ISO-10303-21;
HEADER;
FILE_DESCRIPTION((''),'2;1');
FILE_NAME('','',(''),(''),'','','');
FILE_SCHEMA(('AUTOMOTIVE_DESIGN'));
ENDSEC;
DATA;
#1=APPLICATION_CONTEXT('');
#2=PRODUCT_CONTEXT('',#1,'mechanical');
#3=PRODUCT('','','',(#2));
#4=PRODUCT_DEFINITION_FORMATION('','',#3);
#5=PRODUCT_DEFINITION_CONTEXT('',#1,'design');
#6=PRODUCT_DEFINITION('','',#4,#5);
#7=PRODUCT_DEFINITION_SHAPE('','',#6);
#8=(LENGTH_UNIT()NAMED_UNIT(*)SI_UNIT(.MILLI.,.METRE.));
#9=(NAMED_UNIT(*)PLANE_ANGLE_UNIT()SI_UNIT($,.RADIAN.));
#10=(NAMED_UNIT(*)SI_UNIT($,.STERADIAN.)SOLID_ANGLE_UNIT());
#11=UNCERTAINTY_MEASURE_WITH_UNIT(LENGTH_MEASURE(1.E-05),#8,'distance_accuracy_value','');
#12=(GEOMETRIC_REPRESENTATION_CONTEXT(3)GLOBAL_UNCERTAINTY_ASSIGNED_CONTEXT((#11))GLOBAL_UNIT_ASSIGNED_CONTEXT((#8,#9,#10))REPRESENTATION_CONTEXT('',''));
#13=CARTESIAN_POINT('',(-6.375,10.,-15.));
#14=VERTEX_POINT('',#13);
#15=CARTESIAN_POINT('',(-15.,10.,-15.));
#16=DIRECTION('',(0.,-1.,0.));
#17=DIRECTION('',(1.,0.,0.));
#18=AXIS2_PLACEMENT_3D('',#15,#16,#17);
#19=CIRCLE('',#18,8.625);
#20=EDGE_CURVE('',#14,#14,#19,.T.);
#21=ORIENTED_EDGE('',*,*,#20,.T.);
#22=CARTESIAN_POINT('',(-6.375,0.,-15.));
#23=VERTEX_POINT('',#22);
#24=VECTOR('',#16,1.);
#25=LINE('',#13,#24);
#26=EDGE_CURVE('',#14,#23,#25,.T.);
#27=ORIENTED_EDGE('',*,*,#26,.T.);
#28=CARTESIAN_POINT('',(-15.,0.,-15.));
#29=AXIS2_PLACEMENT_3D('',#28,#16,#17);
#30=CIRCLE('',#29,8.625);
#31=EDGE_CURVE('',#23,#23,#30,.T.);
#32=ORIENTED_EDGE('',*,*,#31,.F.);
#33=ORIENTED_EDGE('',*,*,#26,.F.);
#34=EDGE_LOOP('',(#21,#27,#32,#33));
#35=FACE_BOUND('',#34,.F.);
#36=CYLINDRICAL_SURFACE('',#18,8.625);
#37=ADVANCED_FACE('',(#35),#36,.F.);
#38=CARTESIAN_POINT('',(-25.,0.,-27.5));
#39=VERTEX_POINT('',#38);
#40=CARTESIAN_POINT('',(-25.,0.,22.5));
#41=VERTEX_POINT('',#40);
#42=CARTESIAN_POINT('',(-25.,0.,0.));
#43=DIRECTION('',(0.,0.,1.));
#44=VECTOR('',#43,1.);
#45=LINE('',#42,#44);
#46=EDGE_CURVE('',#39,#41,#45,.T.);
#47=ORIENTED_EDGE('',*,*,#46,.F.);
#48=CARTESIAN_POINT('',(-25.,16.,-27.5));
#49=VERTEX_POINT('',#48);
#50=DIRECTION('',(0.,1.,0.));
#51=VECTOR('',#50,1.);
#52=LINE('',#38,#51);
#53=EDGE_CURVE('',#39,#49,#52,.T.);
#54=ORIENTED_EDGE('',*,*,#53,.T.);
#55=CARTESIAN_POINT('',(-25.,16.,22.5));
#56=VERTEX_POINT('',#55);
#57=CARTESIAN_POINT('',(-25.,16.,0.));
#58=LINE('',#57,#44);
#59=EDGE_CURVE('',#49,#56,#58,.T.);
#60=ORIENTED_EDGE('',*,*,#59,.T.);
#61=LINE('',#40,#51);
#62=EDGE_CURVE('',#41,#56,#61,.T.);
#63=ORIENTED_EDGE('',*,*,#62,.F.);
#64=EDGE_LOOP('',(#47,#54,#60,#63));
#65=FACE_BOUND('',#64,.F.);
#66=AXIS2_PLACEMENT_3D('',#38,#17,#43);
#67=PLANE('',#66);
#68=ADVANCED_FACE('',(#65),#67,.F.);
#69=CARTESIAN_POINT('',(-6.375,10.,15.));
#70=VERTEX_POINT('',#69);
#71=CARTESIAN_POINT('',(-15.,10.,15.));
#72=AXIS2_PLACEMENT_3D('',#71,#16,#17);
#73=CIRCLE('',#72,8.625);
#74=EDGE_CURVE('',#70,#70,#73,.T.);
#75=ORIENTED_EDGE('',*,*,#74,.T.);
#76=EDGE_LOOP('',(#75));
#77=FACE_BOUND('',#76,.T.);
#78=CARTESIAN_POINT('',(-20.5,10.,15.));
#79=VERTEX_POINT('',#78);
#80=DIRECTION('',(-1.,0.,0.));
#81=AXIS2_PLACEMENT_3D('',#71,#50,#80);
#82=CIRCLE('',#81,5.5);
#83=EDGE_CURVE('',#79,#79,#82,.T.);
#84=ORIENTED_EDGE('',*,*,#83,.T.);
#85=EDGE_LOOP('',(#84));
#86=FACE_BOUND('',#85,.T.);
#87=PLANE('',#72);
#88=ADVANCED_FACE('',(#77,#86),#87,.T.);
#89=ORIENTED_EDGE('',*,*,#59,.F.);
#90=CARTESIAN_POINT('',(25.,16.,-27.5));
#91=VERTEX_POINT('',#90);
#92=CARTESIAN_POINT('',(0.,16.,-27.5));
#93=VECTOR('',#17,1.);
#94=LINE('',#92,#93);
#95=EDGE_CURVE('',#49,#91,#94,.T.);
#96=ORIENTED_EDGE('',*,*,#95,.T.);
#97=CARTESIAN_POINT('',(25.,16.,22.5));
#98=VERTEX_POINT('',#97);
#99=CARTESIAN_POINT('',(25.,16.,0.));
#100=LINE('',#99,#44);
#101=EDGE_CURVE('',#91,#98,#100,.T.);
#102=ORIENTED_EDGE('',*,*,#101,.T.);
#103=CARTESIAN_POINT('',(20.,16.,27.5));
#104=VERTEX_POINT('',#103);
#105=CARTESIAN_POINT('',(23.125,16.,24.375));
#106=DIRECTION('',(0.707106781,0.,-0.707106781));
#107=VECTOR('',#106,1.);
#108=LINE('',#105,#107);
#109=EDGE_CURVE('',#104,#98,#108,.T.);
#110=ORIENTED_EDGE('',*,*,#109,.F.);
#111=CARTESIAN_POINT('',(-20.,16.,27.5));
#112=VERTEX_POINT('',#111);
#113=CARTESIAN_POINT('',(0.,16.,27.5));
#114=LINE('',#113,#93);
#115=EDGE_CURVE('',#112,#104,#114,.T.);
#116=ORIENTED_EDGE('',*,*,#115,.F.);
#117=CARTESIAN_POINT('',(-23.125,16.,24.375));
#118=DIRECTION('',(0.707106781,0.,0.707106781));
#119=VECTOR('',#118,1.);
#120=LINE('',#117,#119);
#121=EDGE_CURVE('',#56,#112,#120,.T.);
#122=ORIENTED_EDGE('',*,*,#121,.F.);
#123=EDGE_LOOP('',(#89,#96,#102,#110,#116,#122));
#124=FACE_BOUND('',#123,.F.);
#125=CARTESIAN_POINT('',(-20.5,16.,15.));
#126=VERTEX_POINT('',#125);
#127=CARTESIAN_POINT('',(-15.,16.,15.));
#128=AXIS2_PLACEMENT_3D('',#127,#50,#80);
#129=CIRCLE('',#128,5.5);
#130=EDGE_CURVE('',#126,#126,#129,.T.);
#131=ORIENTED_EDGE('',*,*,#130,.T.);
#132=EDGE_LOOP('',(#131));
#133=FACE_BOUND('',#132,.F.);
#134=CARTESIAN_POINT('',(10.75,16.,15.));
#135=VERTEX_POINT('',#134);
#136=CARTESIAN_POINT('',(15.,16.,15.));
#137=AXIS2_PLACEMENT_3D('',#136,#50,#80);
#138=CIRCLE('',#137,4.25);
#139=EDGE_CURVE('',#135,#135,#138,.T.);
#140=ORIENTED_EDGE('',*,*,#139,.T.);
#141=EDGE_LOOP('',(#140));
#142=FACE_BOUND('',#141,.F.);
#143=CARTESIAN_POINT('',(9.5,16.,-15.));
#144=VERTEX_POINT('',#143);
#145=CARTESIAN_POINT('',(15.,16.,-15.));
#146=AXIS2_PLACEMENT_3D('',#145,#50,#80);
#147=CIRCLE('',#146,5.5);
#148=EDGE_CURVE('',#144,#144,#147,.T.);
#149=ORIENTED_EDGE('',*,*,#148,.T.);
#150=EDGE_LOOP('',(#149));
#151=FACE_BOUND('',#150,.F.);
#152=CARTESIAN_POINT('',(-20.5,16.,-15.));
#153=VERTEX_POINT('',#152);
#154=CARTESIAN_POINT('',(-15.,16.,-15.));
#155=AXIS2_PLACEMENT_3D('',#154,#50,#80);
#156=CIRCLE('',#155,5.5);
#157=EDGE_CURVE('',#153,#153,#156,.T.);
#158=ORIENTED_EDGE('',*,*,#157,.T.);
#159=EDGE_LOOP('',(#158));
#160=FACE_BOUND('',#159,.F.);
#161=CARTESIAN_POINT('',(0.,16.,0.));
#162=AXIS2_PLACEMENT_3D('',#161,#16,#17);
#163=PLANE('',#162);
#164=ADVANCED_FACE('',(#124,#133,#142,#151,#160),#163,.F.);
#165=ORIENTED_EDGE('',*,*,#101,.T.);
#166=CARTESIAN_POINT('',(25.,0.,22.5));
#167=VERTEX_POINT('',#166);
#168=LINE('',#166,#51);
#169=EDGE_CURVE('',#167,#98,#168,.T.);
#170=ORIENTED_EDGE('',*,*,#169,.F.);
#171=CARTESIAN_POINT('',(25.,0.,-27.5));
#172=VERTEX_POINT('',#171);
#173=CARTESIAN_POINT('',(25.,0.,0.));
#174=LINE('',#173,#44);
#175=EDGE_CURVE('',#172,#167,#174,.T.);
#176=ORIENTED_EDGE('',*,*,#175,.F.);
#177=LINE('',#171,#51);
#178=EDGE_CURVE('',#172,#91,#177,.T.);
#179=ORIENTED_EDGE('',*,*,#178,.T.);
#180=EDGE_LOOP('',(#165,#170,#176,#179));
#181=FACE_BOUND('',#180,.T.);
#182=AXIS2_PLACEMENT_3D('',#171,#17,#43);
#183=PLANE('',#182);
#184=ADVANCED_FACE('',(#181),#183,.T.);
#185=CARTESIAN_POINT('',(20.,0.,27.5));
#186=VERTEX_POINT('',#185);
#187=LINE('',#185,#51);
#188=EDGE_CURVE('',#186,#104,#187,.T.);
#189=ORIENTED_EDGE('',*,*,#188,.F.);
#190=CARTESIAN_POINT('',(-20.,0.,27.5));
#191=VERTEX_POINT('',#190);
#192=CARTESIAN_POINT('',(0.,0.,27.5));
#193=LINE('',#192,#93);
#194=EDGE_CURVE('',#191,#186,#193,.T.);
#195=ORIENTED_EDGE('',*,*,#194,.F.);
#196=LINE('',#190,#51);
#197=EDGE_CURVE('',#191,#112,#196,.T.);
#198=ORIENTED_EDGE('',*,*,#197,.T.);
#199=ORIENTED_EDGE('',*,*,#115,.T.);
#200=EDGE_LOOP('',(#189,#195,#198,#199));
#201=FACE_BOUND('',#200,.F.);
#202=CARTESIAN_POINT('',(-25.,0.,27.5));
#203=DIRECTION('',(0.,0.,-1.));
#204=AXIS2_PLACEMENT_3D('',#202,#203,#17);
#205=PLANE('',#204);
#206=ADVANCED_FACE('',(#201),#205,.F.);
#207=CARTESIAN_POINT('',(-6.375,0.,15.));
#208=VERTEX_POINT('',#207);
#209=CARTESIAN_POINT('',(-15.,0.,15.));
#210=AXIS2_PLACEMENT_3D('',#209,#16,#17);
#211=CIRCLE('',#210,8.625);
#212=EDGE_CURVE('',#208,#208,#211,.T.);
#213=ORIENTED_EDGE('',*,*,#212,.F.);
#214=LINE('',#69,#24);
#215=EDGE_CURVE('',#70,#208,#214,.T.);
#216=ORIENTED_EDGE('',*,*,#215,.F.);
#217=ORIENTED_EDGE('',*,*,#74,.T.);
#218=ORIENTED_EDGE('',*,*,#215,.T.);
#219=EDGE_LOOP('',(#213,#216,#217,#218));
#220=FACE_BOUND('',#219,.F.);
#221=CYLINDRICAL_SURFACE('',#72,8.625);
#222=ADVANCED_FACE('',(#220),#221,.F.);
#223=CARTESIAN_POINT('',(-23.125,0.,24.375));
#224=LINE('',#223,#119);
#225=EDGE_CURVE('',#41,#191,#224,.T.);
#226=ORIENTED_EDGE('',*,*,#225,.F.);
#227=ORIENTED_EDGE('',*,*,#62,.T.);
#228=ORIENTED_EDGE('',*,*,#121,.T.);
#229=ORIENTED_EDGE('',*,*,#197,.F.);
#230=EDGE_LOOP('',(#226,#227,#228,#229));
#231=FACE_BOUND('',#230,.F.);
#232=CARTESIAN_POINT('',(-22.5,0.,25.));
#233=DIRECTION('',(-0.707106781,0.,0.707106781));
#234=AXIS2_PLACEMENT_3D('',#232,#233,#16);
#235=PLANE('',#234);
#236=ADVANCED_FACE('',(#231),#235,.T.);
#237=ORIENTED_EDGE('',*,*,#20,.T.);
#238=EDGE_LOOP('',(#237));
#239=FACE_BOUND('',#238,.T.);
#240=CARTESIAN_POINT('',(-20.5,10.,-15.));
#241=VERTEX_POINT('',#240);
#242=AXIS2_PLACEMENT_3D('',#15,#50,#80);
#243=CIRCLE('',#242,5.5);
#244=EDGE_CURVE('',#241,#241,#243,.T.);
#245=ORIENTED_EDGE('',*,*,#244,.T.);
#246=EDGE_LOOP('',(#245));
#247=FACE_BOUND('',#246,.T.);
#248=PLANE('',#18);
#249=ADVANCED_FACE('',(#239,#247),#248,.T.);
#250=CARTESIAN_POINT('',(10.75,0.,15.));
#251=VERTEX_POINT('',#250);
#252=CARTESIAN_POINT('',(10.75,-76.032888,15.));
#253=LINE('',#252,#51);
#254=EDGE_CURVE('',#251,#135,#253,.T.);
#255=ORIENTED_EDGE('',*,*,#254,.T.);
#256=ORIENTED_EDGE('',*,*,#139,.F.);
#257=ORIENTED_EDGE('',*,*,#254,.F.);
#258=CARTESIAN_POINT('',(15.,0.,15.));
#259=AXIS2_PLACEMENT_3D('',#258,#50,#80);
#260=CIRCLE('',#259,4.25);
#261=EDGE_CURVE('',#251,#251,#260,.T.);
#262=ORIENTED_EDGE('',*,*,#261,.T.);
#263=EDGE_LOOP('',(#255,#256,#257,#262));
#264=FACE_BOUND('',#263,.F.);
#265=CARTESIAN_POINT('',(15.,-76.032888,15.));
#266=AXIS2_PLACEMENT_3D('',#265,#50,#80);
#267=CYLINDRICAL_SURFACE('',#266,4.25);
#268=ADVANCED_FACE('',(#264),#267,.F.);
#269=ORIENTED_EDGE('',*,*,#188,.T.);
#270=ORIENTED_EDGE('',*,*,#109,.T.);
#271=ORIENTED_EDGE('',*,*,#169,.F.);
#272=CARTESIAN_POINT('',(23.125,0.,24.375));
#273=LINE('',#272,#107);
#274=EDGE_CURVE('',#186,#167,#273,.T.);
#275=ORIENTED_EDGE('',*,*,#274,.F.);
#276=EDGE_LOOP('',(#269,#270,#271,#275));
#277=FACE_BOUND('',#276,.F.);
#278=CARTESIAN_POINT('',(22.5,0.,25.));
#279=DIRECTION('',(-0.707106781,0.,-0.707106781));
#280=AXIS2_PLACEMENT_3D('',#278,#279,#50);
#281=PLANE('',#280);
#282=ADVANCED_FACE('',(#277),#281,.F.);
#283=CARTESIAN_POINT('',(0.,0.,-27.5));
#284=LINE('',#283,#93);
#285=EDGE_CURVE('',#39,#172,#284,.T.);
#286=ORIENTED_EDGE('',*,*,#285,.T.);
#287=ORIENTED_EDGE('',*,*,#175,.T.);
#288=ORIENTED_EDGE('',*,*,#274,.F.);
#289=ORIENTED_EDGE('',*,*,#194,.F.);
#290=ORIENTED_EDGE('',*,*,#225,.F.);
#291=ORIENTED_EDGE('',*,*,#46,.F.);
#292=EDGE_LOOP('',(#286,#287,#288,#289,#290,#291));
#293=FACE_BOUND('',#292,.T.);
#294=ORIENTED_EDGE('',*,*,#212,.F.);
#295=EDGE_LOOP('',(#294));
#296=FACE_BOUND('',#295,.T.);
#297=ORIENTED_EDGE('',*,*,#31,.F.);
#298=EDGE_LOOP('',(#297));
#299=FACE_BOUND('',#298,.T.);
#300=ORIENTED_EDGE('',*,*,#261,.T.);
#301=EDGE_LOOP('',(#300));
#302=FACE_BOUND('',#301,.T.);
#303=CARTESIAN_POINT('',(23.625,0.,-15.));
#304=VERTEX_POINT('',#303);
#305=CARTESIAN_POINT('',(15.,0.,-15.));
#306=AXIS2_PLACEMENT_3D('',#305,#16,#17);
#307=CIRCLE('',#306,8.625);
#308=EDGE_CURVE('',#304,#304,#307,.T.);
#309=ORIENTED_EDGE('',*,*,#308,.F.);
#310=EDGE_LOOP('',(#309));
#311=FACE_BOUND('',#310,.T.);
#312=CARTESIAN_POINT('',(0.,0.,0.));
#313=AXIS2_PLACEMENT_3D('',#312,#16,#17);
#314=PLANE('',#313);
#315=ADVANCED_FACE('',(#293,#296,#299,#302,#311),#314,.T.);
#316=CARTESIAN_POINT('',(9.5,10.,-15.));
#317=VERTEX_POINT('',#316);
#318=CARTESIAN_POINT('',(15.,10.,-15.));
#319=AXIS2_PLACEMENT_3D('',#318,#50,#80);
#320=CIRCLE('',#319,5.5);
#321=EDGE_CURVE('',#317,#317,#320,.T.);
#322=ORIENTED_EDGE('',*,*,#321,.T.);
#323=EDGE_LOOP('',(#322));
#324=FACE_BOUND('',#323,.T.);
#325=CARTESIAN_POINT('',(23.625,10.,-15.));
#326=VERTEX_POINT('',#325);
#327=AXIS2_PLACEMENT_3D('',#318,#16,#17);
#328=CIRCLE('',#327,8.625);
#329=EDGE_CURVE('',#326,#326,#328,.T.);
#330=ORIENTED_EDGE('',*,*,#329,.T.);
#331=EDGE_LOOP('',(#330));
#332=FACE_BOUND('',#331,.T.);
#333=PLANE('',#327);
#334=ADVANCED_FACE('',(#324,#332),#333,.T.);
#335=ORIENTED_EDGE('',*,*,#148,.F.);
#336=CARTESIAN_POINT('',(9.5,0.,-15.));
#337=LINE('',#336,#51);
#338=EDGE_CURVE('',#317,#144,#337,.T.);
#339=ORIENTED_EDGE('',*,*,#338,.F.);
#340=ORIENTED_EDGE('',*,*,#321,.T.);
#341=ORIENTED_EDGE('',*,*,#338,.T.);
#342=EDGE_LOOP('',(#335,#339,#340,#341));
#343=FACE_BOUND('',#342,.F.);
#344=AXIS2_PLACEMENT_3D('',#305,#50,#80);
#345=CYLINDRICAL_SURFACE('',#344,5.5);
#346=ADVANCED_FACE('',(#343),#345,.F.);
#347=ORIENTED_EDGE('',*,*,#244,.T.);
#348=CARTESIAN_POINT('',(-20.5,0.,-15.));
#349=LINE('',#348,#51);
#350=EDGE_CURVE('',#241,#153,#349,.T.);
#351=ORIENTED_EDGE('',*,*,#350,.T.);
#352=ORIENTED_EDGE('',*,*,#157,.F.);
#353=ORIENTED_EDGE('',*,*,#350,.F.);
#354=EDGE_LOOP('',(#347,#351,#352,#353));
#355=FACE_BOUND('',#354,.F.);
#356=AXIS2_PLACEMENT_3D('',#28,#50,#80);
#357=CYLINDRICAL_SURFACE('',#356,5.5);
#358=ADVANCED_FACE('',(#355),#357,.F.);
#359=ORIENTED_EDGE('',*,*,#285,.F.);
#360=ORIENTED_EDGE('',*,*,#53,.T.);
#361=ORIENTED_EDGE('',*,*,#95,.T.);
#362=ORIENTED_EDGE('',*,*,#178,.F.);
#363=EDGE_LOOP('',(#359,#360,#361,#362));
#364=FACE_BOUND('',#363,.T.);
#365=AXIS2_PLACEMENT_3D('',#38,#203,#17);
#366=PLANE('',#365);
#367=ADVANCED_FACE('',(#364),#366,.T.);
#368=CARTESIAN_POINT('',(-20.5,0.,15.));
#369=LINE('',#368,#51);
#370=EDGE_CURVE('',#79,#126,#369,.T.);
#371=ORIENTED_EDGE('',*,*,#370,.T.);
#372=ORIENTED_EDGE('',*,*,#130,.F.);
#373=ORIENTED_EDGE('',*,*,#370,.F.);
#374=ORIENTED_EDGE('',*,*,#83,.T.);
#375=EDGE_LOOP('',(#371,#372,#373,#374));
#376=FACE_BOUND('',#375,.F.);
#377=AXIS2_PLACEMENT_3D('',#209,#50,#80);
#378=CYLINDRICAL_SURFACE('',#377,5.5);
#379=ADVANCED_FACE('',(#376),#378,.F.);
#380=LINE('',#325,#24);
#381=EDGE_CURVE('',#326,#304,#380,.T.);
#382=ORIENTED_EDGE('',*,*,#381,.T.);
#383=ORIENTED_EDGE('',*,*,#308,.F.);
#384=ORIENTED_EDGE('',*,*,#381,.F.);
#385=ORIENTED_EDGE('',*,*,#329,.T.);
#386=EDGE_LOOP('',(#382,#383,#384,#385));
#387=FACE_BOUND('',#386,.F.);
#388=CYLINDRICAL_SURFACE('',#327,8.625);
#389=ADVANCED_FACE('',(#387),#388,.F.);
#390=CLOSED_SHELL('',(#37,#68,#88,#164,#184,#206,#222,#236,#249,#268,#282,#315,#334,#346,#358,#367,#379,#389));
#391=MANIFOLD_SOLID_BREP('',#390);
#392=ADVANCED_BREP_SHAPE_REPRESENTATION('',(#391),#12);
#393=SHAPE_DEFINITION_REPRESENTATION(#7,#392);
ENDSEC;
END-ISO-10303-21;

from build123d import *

# Parameters (mm, degrees)
F0_W           = 50
F0_H           = 55
F1_DEPTH       = 16
F3_D           = 11
F3_CBORE_D     = 17.25
F3_CBORE_DEPTH = 10
F5_D           = 8.5
F6_SIZE        = 5


with BuildPart() as f1:
    # F0 (on Front) → F1 (new body)
    with BuildSketch(Plane.XZ):
        Rectangle(F0_W, F0_H)
    extrude(amount=-F1_DEPTH)

    # F3 (through all)
    with Locations(Plane.XZ):
        with Locations((-15, 15), (-15, -15), (15, -15)):
            CounterBoreHole(F3_D / 2, F3_CBORE_D / 2, F3_CBORE_DEPTH)

    # F5 (through all)
    with Locations(Plane.XZ):
        with Locations((15, 15)):
            Hole(F5_D / 2)

    # F6
    f6_edges = [f1.edges().sort_by_distance(p)[0] for p in [
        (-25, 8, 27.5),
        (25, 8, 27.5),
    ]]
    chamfer(f6_edges, length=F6_SIZE)


solid = f1.part
